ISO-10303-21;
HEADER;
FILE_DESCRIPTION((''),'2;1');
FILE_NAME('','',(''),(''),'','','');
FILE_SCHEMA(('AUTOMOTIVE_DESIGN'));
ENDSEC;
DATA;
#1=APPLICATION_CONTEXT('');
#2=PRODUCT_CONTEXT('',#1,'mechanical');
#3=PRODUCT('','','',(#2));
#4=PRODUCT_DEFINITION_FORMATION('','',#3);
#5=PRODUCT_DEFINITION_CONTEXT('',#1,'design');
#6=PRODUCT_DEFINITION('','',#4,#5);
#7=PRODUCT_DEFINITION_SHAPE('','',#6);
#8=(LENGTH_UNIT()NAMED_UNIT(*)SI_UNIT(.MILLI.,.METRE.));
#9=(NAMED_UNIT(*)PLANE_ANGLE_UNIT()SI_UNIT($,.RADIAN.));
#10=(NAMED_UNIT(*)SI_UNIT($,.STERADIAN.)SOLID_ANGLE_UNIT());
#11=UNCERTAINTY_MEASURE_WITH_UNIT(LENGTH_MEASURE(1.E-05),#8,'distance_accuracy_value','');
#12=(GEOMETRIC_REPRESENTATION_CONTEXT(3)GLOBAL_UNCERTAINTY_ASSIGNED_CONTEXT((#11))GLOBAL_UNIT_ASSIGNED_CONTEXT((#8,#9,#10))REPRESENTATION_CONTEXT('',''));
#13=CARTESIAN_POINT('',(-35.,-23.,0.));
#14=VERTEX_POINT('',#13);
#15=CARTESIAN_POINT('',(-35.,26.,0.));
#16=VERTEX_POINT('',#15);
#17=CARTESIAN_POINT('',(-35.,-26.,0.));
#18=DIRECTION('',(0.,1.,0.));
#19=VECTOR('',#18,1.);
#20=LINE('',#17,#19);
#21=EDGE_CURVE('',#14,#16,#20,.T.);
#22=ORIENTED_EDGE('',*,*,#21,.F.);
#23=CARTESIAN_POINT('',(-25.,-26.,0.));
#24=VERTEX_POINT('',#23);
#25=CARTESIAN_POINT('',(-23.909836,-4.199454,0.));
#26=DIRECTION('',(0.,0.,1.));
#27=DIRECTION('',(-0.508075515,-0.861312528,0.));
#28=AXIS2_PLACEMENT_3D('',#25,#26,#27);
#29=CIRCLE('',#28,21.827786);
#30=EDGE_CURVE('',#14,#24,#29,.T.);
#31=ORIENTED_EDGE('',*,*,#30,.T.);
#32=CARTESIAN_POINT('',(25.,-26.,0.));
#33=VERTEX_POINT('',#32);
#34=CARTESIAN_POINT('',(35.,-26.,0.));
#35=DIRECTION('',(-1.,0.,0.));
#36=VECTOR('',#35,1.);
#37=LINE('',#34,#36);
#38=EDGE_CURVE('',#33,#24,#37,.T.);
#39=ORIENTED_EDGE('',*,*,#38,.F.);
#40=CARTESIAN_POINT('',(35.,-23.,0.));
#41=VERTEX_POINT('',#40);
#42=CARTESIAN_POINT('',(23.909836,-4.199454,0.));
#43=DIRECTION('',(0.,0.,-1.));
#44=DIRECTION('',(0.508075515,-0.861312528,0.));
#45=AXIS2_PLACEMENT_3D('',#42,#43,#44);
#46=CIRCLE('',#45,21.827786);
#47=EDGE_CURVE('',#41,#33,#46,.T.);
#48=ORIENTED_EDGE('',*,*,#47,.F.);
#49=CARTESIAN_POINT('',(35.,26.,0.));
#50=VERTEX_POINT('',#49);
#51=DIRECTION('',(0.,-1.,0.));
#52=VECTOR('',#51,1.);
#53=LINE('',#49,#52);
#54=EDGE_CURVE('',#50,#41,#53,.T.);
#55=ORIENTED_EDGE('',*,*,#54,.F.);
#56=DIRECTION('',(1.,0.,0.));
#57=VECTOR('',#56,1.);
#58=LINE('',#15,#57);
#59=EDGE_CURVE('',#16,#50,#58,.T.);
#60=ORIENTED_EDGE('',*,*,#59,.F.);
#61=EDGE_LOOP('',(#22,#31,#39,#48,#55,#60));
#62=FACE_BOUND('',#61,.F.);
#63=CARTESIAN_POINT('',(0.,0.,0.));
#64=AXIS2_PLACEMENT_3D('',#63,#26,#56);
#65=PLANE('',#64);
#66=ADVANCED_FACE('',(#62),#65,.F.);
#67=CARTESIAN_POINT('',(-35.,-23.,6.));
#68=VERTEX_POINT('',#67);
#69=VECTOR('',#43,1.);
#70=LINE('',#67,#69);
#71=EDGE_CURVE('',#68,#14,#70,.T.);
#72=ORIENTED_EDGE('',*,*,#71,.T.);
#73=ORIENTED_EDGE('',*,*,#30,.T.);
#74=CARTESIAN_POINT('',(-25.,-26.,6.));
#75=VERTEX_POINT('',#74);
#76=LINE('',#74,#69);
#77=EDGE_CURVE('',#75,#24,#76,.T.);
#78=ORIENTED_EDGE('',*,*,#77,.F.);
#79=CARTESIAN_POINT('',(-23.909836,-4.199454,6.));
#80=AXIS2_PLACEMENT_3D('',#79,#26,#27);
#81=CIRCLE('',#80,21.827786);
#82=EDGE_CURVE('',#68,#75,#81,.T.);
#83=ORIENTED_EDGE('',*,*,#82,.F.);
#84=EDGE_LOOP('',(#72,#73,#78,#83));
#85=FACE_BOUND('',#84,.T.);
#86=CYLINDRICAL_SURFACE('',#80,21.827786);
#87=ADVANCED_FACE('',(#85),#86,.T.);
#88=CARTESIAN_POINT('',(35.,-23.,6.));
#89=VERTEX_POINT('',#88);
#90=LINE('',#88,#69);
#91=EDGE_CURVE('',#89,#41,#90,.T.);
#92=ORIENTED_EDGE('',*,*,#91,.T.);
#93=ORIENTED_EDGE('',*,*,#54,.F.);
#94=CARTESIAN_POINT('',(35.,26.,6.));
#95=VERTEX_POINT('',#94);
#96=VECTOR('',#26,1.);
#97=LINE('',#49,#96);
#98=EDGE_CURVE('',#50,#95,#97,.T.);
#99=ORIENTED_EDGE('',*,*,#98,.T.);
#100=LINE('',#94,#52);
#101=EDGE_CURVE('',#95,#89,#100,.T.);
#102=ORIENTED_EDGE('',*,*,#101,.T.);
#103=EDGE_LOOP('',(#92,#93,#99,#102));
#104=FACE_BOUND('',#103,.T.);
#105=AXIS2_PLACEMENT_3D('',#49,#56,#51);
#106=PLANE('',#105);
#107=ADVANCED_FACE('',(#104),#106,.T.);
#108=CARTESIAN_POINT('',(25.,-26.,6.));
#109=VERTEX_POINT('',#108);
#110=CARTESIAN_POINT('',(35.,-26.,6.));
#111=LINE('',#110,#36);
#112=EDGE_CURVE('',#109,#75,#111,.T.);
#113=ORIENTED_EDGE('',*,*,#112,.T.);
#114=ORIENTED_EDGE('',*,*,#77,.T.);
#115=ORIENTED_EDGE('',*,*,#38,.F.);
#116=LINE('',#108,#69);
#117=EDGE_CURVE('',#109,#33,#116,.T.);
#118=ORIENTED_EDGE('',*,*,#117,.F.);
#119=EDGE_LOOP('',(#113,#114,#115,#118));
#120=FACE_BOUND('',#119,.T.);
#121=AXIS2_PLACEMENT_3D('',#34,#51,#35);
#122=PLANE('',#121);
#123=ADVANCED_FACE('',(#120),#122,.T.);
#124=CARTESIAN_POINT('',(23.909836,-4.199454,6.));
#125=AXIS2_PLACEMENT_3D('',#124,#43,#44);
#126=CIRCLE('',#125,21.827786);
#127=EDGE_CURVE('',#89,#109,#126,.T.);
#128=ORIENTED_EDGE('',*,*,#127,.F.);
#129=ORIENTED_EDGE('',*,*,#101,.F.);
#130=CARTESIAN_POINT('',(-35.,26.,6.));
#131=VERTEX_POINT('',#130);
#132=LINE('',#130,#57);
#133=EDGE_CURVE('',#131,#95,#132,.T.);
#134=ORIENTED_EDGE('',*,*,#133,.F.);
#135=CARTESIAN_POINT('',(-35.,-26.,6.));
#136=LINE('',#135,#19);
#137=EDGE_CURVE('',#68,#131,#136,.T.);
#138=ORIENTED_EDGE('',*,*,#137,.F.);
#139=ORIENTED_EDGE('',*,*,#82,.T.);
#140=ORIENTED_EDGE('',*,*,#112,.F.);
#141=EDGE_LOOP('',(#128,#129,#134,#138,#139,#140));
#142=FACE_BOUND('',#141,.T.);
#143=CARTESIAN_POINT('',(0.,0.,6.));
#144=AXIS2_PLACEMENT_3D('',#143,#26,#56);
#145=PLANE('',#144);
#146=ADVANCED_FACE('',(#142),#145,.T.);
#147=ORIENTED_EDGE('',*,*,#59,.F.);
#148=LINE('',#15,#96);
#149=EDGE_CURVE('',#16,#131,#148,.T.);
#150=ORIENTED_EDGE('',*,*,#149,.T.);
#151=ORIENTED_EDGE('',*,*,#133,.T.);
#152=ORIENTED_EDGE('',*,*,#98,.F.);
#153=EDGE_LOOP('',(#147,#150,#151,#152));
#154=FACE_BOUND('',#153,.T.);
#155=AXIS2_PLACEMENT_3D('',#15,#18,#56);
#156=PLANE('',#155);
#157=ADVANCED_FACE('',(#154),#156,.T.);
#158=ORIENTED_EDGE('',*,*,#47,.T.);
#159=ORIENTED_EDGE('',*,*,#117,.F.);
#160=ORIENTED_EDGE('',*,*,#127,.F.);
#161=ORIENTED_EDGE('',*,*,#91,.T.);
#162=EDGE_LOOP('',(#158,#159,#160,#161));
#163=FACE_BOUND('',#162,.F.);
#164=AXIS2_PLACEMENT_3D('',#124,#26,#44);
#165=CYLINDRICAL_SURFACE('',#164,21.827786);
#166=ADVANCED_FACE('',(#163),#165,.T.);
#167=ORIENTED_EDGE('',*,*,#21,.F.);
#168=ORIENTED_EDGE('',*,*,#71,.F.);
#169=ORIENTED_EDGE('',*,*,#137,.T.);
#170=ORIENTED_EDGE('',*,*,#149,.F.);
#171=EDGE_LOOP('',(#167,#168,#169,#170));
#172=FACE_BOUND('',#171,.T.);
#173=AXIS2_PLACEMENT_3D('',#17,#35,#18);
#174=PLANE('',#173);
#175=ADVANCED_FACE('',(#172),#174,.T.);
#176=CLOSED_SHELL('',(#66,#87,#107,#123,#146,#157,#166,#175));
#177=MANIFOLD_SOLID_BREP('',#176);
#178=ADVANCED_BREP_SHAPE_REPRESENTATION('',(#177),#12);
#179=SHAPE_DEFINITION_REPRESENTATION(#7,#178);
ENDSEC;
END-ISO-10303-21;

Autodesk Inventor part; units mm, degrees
ref_plane "YZ Plane" through (0, 0, 0) normal (1, 0, 0) x (0, 1, 0)
ref_plane "XZ Plane" through (0, 0, 0) normal (0, 1, 0) x (-1, 0, 0)
ref_plane "XY Plane" through (0, 0, 0) normal (0, 0, 1) x (1, 0, 0)
sketch "草图1" plane through (0, 0, 0) normal (0, 0, 1) x (1, 0, 0)
  line L0 (35, -26) -> (-35, -26)
  line L1 (-35, -26) -> (-35, 26)
  line L2 (-35, 26) -> (35, 26)
  line L3 (35, 26) -> (35, -26)
  line L4 (35, -26) -> (-35, 26) construction
  line L5 (-35, -26) -> (35, 26) construction
  point P0 (0, 0)
  dimension "d0" = 70
  dimension "d1" = 52
extrude "拉伸1" add sketch "草图1" along normal blind 6
sketch "草图2" plane through (0, 0, 6) normal (0, 0, 1) x (1, 0, 0)
  line L0 (35, 26) -> (-35, 26) projected
  line L1 (-35, 26) -> (-35, -26) projected
  line L2 (-35, -26) -> (35, -26) projected
  line L3 (35, -26) -> (35, 26) projected
  arc A0 (-35, -23) -> (-25, -26) centre (-23.9099, -4.1996) ccw
  point P0 (0, 0)
  dimension "d4" = 3
  dimension "d5" = 10
extrude "拉伸2" cut sketch "草图2" against normal blind 6 contours A0 L2 L1
mirror "镜像1" about plane through (0, 0, 0) normal (1, 0, 0) of "拉伸2"
ref_plane "工作平面1" through (0, 0, 0) normal (1, 0, 0) x (0, 1, 0)
properties part number "键盘"
